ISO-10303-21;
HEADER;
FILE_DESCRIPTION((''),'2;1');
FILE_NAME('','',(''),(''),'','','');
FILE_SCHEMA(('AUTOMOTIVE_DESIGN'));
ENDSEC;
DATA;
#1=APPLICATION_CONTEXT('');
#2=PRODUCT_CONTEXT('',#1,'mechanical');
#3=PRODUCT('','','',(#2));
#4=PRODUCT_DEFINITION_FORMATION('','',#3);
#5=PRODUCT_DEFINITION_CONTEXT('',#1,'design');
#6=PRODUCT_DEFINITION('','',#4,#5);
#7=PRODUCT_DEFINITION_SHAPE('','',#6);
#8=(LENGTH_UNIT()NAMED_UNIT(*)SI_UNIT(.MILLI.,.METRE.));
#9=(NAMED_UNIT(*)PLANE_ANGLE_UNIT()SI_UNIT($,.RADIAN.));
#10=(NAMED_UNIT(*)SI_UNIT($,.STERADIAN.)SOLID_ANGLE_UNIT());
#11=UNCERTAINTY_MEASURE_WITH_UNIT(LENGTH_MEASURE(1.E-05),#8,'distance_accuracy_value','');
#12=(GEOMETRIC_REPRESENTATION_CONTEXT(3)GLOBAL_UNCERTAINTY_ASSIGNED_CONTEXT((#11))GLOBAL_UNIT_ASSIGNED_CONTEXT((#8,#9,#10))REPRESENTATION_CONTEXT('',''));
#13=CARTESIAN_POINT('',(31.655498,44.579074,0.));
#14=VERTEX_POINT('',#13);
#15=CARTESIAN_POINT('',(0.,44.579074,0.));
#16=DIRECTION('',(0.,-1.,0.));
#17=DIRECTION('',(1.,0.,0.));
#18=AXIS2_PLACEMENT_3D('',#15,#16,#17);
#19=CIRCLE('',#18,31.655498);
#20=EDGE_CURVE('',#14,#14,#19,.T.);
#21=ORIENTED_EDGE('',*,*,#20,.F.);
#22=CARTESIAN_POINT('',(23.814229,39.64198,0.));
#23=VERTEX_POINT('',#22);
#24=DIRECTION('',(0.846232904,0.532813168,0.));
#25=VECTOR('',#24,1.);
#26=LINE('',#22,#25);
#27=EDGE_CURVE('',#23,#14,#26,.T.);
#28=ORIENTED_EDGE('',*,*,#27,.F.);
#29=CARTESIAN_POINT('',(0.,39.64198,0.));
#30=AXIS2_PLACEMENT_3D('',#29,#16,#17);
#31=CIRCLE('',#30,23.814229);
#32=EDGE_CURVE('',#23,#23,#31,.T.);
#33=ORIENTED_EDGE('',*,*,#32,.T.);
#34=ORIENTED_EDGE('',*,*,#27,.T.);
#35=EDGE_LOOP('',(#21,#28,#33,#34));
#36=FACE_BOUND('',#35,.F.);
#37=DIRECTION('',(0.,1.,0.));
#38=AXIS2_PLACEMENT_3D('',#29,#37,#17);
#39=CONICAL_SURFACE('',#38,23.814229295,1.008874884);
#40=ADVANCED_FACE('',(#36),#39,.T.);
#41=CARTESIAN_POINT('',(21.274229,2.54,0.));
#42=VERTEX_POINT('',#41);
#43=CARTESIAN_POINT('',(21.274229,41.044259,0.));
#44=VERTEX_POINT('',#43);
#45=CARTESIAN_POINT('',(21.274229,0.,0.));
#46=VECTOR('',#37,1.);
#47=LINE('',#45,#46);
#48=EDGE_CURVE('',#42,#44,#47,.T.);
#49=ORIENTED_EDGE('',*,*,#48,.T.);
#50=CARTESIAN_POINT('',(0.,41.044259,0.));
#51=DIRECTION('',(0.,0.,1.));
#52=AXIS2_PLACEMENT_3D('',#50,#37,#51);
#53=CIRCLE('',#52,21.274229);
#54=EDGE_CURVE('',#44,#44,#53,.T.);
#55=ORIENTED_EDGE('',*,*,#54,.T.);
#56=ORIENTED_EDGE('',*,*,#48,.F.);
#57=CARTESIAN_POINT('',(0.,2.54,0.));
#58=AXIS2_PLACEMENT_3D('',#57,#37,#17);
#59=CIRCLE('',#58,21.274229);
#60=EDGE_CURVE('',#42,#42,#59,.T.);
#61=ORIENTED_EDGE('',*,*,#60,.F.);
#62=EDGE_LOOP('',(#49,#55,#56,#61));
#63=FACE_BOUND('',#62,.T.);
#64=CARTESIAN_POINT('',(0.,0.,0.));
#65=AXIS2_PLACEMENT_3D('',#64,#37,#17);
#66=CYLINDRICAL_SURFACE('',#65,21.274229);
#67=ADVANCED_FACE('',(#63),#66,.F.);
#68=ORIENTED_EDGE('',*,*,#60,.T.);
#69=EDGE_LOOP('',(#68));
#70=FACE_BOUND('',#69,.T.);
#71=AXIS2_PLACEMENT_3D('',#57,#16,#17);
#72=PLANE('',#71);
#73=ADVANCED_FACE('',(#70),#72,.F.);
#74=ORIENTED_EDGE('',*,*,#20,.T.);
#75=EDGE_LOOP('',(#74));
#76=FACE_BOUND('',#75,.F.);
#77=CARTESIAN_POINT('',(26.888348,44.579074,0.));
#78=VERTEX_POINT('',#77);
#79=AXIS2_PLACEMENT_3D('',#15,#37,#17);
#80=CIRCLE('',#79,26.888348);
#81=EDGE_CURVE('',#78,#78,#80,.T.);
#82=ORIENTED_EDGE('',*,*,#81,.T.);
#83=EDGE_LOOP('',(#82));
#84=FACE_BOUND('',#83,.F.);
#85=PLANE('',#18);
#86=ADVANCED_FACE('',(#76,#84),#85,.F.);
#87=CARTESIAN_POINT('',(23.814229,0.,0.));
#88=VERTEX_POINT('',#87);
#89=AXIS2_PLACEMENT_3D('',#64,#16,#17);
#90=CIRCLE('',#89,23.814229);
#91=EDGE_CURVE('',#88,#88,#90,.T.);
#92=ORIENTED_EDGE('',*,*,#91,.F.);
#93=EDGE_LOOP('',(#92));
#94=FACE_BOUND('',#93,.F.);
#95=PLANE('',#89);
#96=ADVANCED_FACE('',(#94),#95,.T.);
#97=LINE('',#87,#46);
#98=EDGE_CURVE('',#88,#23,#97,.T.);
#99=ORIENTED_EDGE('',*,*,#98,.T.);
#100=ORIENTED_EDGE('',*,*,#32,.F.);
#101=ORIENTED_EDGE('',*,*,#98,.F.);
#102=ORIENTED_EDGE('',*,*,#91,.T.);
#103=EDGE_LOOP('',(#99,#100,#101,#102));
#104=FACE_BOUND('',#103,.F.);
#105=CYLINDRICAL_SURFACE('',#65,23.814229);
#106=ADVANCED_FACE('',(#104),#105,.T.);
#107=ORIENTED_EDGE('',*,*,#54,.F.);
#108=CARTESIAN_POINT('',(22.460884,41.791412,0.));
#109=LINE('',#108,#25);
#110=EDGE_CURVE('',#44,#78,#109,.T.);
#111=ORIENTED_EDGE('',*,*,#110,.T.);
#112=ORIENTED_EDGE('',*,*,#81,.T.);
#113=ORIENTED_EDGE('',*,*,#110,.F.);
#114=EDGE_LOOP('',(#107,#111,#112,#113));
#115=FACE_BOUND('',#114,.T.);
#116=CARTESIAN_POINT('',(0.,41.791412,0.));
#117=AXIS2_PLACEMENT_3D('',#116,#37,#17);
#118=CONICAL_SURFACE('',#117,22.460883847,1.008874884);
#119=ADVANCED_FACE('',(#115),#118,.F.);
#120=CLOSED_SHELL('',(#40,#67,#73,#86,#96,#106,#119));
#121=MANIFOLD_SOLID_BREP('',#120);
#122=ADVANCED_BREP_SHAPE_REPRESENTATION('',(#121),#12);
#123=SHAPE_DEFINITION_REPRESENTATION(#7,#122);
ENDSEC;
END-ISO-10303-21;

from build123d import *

# Parameters (mm, degrees)
F2_T = -2.54


with BuildPart() as f1:
    # F0 (on Top) → F1 (revolve)
    with BuildSketch(Plane.XY):
        Polygon((31.655497849, 44.5790737867), (0, 44.5790737867), (0, 0), (23.8142292947, 0), (23.8142292947, 39.6419800818), align=None)
    revolve(axis=Axis((0, 22.2895368934, 0), (0, -1, 0)))

    # F2
    f2_openings = [f1.faces().sort_by_distance(p)[0] for p in [
        (0, 44.579074, 0),
    ]]
    offset(amount=F2_T, openings=f2_openings, kind=Kind.INTERSECTION)


solid = f1.part
